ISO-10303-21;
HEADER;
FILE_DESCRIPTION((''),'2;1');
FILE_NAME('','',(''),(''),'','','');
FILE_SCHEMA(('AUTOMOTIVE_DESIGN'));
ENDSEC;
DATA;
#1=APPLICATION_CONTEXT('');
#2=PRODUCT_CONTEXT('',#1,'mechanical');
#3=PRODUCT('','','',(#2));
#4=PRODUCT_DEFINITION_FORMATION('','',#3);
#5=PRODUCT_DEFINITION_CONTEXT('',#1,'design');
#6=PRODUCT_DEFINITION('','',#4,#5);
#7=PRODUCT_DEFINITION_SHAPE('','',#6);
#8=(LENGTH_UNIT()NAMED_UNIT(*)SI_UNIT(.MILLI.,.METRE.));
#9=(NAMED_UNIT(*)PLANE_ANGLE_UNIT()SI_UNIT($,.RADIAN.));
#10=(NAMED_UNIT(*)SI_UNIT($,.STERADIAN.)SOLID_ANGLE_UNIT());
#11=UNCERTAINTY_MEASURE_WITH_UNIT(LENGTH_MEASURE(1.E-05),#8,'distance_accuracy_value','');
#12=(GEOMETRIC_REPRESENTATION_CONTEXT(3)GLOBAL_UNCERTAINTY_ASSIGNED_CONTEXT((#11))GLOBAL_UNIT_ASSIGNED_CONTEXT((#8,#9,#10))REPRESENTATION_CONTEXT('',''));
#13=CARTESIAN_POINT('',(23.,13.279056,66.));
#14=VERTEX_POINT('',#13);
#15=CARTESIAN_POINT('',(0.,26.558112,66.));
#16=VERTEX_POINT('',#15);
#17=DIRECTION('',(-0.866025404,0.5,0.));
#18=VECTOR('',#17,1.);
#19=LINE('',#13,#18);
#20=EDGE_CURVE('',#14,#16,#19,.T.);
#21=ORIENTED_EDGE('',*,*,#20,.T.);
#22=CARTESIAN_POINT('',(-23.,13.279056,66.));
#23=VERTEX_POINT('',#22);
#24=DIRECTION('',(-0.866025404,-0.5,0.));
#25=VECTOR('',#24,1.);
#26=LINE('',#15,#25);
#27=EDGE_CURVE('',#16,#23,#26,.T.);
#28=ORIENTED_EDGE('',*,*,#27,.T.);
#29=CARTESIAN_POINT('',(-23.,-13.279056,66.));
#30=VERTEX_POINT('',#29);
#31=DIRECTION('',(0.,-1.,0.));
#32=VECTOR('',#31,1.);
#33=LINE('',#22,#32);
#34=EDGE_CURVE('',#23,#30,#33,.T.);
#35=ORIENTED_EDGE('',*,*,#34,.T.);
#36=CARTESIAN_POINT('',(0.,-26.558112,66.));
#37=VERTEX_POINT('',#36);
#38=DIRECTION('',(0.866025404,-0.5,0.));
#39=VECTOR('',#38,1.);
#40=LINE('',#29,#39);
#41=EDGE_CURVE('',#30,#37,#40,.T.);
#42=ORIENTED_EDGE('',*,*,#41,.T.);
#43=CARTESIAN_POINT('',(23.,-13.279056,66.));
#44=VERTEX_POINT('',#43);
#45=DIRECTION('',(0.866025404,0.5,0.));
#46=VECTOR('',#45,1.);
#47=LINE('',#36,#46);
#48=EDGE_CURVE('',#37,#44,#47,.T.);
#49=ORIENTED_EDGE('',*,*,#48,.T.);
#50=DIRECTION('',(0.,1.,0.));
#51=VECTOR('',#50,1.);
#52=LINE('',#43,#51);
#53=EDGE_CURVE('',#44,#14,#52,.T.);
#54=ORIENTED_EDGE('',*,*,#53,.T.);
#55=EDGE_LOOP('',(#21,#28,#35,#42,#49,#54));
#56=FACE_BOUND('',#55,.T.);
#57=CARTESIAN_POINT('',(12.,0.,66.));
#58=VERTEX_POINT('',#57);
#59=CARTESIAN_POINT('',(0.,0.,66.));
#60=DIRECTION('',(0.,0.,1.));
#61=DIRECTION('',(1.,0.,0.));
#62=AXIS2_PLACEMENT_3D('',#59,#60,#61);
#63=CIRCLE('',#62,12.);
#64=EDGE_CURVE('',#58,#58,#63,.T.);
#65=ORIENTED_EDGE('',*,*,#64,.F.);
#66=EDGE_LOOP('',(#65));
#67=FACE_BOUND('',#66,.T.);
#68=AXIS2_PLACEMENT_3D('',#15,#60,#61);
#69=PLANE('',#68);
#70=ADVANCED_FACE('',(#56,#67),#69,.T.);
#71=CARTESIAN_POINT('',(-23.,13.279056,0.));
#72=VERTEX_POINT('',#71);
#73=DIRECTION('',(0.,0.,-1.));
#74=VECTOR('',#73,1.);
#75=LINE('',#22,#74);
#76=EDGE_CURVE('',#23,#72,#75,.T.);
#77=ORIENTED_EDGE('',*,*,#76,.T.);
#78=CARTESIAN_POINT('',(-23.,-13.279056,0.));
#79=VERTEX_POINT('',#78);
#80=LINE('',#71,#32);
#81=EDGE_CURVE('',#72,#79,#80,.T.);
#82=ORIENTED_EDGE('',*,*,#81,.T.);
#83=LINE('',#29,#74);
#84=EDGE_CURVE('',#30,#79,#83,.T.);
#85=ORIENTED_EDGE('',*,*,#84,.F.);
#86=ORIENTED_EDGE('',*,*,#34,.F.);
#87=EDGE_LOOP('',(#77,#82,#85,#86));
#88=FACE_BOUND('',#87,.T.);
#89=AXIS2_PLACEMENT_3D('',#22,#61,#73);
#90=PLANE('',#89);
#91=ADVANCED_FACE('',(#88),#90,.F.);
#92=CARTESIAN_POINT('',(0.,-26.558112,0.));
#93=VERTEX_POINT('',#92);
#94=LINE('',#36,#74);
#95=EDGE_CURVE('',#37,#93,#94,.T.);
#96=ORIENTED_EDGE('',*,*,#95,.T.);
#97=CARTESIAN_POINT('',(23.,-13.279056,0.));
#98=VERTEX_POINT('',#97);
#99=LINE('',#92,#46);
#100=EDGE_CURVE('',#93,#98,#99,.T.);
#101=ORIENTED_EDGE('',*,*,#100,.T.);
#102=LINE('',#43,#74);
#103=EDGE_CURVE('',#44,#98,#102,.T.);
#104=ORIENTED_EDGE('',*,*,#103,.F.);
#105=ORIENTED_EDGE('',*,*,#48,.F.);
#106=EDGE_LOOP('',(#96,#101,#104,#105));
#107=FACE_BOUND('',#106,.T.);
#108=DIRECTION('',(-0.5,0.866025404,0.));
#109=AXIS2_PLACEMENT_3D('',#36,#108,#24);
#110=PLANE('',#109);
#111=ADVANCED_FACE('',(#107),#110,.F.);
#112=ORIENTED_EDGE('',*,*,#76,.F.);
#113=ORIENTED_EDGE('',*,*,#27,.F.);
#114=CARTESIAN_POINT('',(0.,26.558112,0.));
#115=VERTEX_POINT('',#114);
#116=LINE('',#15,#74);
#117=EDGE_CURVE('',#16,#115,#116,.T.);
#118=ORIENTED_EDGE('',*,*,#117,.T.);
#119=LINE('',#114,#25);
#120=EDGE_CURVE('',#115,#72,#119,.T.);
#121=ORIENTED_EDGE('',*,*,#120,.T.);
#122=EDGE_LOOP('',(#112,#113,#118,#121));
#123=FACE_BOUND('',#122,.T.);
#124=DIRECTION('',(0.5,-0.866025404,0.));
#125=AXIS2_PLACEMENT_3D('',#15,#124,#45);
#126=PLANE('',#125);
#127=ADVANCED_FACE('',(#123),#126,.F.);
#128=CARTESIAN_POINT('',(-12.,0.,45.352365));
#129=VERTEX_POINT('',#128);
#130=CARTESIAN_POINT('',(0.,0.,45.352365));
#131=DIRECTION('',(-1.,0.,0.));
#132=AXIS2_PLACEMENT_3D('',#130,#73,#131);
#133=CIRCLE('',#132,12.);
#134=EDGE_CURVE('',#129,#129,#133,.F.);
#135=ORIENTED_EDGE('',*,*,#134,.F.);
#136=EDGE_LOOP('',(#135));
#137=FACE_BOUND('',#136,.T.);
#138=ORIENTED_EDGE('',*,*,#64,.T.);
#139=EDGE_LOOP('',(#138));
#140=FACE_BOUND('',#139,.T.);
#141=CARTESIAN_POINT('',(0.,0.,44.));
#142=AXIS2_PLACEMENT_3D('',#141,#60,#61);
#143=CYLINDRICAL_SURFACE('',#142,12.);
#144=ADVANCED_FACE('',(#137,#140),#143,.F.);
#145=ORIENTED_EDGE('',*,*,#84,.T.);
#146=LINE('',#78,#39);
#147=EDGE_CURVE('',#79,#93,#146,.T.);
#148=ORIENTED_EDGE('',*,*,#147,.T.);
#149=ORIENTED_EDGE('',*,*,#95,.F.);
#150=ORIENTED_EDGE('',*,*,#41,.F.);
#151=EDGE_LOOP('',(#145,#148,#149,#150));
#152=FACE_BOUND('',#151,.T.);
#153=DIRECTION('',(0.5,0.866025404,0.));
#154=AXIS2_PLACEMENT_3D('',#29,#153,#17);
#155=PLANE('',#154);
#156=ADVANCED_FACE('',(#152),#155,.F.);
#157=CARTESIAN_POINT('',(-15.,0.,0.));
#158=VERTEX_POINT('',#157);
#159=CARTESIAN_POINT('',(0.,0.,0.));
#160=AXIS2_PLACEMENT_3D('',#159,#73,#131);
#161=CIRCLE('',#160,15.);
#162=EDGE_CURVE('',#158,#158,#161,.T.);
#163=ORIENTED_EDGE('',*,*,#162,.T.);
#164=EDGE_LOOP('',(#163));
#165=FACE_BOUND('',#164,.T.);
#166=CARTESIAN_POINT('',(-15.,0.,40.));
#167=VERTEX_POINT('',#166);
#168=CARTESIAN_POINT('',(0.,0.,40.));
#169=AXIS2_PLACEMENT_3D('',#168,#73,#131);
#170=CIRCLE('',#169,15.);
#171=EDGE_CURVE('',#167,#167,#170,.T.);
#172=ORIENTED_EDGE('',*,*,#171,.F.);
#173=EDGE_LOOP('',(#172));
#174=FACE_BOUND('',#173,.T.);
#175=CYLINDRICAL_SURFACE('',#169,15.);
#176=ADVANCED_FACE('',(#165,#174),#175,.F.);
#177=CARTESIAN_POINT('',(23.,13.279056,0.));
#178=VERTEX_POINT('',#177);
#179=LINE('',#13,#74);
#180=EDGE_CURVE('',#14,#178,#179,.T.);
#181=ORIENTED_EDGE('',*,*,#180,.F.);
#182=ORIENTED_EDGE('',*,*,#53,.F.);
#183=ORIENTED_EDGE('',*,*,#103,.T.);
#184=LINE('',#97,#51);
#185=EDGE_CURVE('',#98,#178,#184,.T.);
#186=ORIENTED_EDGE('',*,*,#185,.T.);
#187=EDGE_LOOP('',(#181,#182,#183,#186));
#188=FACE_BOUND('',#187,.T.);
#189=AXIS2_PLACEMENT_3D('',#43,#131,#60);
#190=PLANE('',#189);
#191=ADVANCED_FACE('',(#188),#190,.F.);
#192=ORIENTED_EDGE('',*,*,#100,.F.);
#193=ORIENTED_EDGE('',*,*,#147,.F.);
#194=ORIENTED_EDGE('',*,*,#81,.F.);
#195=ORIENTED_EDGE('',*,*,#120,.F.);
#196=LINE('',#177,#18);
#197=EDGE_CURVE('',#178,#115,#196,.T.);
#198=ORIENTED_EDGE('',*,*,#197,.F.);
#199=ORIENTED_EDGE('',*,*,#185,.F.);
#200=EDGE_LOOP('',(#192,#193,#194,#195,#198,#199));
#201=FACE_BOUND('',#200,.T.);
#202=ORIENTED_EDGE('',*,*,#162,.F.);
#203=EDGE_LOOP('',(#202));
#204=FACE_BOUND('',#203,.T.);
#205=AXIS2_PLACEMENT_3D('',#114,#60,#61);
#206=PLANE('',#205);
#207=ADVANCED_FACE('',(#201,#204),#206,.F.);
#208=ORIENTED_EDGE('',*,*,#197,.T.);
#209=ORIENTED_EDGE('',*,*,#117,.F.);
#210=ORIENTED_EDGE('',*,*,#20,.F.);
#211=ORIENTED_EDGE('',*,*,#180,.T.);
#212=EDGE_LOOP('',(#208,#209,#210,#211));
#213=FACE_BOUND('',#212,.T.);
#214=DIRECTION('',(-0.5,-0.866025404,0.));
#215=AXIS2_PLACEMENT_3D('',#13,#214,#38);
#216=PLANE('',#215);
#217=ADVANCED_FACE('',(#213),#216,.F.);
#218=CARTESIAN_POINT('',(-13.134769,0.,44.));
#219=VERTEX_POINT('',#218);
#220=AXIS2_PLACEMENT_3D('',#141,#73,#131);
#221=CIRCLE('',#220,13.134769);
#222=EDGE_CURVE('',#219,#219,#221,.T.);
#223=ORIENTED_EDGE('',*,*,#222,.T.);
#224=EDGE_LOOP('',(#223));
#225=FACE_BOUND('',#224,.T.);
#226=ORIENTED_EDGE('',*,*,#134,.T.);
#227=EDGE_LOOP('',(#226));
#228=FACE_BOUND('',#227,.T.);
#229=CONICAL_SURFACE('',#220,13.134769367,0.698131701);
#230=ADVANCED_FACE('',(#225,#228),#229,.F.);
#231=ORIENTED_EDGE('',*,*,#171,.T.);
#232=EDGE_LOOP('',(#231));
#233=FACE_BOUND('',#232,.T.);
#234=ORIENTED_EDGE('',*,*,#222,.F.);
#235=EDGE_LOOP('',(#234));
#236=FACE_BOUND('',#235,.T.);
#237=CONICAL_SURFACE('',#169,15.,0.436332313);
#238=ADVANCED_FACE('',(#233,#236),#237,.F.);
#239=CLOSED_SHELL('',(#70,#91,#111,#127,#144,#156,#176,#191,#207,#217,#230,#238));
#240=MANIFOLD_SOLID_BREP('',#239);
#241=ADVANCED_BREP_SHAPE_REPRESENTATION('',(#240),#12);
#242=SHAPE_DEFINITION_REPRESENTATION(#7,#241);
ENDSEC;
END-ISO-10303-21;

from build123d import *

# Parameters (mm, degrees)
EXTRUDE_1_DEPTH     = 66
SKETCH_12_R         = 15
CUT_EXTRUDE_3_DEPTH = 40
SKETCH_16_R         = 15
CUT_EXTRUDE_6_DEPTH = 4
CUT_EXTRUDE_6_DRAFT = -25
SKETCH_17_R         = 13.134769367
CUT_EXTRUDE_7_DEPTH = 2
CUT_EXTRUDE_7_DRAFT = -40
SKETCH_18_R         = 12
CUT_EXTRUDE_8_DEPTH = 22


with BuildPart() as part:
    # 草图2 → 拉伸1 (new body)
    with BuildSketch(Plane.XY):
        Polygon((0, 26.558112383), (-23, 13.279056191), (-23, -13.279056191), (0, -26.558112383), (23, -13.279056191), (23, 13.279056191), align=None)
    extrude(amount=EXTRUDE_1_DEPTH)

    # 草图12 → 拉伸3 (cut)
    with BuildSketch(Plane(origin=(0, 0, 0), x_dir=(-1, 0, 0), z_dir=(0, 0, -1))):
        Circle(SKETCH_12_R)
    extrude(amount=-CUT_EXTRUDE_3_DEPTH, mode=Mode.SUBTRACT)


with BuildPart() as cut_extrude_6_tool:
    # 草图16 → 拉伸6 (with draft: the straight prism first)
    with BuildSketch(Plane(origin=(0, 0, 40), x_dir=(-1, 0, 0), z_dir=(0, 0, -1))):
        Circle(SKETCH_16_R)
    extrude(amount=-CUT_EXTRUDE_6_DEPTH)
    # 拉伸6: the draft: its side faces are tilted about the plane it starts from
    cut_extrude_6_sides = [cut_extrude_6_tool.faces().sort_by_distance(p)[0] for p in [
        (15, 0, 42),
    ]]
    draft(cut_extrude_6_sides, Plane(origin=(0, 0, 40), x_dir=(-1, 0, 0), z_dir=(0, 0, -1)), CUT_EXTRUDE_6_DRAFT)


with BuildPart() as part_1:
    add(part.part)

    # 拉伸6: cut by cut_extrude_6_tool
    add(cut_extrude_6_tool.part, mode=Mode.SUBTRACT)


with BuildPart() as cut_extrude_7_tool:
    # 草图17 → 拉伸7 (with draft: the straight prism first)
    with BuildSketch(Plane(origin=(0, 0, 44), x_dir=(-1, 0, 0), z_dir=(0, 0, -1))):
        Circle(SKETCH_17_R)
    extrude(amount=-CUT_EXTRUDE_7_DEPTH)
    # 拉伸7: the draft: its side faces are tilted about the plane it starts from
    cut_extrude_7_sides = [cut_extrude_7_tool.faces().sort_by_distance(p)[0] for p in [
        (13.134769367, 0, 45),
    ]]
    draft(cut_extrude_7_sides, Plane(origin=(0, 0, 44), x_dir=(-1, 0, 0), z_dir=(0, 0, -1)), CUT_EXTRUDE_7_DRAFT)


with BuildPart() as part_2:
    add(part_1.part)

    # 拉伸7: cut by cut_extrude_7_tool
    add(cut_extrude_7_tool.part, mode=Mode.SUBTRACT)

    # 草图18 → 拉伸8 (cut)
    with BuildSketch(Plane.XY.offset(66)):
        Circle(SKETCH_18_R)
    extrude(amount=-CUT_EXTRUDE_8_DEPTH, mode=Mode.SUBTRACT)


solid = part_2.part
